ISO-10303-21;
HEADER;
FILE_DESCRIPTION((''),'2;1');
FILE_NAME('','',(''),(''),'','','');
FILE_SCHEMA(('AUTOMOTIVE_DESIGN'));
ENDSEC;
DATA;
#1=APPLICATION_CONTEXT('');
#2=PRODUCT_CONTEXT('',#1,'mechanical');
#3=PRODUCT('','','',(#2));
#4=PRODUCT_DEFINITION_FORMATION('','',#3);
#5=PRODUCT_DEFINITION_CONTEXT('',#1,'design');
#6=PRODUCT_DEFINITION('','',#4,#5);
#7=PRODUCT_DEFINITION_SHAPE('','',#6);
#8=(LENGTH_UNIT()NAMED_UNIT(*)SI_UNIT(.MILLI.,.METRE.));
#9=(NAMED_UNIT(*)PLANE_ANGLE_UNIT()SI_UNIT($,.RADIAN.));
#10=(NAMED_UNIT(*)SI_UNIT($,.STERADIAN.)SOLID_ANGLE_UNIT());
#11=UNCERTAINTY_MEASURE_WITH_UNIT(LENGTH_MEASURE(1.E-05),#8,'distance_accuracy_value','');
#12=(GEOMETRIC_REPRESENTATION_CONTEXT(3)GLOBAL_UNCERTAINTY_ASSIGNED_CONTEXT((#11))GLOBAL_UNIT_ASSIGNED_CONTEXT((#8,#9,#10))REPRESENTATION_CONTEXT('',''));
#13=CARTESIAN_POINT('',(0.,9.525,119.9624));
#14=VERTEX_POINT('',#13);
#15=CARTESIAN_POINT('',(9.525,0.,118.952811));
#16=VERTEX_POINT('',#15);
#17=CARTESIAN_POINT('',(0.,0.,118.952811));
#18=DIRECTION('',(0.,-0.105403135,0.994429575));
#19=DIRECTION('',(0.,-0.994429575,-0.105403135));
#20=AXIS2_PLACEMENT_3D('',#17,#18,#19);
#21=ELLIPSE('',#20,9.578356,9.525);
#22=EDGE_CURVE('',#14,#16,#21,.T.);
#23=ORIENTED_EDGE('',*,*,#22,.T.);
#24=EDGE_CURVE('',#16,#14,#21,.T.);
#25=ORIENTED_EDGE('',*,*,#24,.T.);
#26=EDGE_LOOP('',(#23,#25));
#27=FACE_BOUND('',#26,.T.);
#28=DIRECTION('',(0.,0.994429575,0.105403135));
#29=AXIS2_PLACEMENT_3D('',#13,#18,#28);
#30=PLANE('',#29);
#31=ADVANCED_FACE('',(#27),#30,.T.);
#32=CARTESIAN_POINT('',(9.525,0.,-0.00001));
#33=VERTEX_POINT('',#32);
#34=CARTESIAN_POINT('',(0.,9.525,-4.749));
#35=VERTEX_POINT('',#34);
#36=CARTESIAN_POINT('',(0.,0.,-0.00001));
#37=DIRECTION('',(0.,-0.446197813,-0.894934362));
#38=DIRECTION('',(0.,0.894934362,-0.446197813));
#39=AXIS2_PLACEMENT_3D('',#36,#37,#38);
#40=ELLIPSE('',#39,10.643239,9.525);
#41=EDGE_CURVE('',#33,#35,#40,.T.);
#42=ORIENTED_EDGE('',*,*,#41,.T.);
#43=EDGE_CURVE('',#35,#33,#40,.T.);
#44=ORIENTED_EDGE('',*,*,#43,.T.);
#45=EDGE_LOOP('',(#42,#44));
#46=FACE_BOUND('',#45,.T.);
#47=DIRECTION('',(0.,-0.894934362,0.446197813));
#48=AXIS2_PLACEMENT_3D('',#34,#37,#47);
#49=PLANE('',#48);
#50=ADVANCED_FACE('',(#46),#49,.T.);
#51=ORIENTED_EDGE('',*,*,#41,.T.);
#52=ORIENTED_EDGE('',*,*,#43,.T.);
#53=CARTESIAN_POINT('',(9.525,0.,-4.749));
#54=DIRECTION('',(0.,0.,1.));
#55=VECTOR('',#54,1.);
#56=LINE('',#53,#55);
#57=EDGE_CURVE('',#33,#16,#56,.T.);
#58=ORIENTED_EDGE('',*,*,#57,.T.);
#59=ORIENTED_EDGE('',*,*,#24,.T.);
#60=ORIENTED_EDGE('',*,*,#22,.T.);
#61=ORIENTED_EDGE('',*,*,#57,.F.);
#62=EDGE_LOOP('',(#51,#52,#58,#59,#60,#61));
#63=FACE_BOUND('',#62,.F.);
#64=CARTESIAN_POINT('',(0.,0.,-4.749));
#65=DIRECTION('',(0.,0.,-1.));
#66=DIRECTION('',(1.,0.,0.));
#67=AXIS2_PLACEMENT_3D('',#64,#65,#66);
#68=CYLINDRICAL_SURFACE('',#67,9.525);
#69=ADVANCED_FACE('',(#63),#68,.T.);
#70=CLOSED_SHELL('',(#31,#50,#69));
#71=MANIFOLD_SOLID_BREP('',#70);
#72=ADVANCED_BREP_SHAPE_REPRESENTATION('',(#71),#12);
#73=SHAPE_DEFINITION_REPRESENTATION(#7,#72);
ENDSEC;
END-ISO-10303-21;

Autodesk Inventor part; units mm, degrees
ref_plane "Start Plane" through (0, 0, -4.749) normal (0, 0, 1) x (1, 0, 0)
ref_plane "End Plane" through (0, 0, 119.9624) normal (0, 0, 1) x (1, 0, 0)
sketch "Sketch" plane through (0, 0, 0) normal (0, 0, 1) x (1, 0, 0)
  circle A0 centre (0, 0) radius 9.525
  dimension "d0" = 19.05
extrude "Body" add sketch "Sketch" along normal up to surface (124.7114 mm away) from surface at -4.749
sketch "Sketch2" plane through (0, 0, 0) normal (0, 0, 1) x (1, 0, 0)
  line L0 (0, 0) -> (10, 0)
ref_plane "Work Plane3" through (0, 0, 0) normal (0, -1, 0) x (1, 0, 0)
ref_plane "Work Plane4" through (0, 9.525, -4.749) normal (0, -0.4462, -0.8949) x (1, 0, 0)
split "Split1" plane through (0, 9.525, -4.749) removes the side toward (0, -0.4462, -0.8949)
ref_plane "Work Plane5" through (0, 9.525, 119.9624) normal (0, -0.1054, 0.9944) x (1, 0, 0)
split "Split2" plane through (0, 9.525, 119.9624) removes the side toward (0, -0.1054, 0.9944)
sketch "Sketch3" plane through (0, 0, 0) normal (0, -1, 0) x (1, 0, 0)
  line L0 (-2, -4.749) -> (12, -4.749) projected
  line L1 (-2, 119.9624) -> (12, 119.9624) projected
  dimension "d7" = 124.7114
equation "\"d0\" = Diam"
equation "\"d1\" = G_L"
equation "\"Diam\" = 19.05"
equation "\"G_L\" = d7"
equation "\"G_OFFSET_START\" = 4.74899"
equation "\"G_OFFSET_END\" = 1.00953"
equation "\"d4\" = -G_OFFSET_START"
equation "\"d5\" = G_OFFSET_END + B_L"
equation "\"B_L\" = 118.95289"
properties part number "ANSI/AISC Rolled Steel - 3/4-4.91, RB" material "Steel, Mild"
